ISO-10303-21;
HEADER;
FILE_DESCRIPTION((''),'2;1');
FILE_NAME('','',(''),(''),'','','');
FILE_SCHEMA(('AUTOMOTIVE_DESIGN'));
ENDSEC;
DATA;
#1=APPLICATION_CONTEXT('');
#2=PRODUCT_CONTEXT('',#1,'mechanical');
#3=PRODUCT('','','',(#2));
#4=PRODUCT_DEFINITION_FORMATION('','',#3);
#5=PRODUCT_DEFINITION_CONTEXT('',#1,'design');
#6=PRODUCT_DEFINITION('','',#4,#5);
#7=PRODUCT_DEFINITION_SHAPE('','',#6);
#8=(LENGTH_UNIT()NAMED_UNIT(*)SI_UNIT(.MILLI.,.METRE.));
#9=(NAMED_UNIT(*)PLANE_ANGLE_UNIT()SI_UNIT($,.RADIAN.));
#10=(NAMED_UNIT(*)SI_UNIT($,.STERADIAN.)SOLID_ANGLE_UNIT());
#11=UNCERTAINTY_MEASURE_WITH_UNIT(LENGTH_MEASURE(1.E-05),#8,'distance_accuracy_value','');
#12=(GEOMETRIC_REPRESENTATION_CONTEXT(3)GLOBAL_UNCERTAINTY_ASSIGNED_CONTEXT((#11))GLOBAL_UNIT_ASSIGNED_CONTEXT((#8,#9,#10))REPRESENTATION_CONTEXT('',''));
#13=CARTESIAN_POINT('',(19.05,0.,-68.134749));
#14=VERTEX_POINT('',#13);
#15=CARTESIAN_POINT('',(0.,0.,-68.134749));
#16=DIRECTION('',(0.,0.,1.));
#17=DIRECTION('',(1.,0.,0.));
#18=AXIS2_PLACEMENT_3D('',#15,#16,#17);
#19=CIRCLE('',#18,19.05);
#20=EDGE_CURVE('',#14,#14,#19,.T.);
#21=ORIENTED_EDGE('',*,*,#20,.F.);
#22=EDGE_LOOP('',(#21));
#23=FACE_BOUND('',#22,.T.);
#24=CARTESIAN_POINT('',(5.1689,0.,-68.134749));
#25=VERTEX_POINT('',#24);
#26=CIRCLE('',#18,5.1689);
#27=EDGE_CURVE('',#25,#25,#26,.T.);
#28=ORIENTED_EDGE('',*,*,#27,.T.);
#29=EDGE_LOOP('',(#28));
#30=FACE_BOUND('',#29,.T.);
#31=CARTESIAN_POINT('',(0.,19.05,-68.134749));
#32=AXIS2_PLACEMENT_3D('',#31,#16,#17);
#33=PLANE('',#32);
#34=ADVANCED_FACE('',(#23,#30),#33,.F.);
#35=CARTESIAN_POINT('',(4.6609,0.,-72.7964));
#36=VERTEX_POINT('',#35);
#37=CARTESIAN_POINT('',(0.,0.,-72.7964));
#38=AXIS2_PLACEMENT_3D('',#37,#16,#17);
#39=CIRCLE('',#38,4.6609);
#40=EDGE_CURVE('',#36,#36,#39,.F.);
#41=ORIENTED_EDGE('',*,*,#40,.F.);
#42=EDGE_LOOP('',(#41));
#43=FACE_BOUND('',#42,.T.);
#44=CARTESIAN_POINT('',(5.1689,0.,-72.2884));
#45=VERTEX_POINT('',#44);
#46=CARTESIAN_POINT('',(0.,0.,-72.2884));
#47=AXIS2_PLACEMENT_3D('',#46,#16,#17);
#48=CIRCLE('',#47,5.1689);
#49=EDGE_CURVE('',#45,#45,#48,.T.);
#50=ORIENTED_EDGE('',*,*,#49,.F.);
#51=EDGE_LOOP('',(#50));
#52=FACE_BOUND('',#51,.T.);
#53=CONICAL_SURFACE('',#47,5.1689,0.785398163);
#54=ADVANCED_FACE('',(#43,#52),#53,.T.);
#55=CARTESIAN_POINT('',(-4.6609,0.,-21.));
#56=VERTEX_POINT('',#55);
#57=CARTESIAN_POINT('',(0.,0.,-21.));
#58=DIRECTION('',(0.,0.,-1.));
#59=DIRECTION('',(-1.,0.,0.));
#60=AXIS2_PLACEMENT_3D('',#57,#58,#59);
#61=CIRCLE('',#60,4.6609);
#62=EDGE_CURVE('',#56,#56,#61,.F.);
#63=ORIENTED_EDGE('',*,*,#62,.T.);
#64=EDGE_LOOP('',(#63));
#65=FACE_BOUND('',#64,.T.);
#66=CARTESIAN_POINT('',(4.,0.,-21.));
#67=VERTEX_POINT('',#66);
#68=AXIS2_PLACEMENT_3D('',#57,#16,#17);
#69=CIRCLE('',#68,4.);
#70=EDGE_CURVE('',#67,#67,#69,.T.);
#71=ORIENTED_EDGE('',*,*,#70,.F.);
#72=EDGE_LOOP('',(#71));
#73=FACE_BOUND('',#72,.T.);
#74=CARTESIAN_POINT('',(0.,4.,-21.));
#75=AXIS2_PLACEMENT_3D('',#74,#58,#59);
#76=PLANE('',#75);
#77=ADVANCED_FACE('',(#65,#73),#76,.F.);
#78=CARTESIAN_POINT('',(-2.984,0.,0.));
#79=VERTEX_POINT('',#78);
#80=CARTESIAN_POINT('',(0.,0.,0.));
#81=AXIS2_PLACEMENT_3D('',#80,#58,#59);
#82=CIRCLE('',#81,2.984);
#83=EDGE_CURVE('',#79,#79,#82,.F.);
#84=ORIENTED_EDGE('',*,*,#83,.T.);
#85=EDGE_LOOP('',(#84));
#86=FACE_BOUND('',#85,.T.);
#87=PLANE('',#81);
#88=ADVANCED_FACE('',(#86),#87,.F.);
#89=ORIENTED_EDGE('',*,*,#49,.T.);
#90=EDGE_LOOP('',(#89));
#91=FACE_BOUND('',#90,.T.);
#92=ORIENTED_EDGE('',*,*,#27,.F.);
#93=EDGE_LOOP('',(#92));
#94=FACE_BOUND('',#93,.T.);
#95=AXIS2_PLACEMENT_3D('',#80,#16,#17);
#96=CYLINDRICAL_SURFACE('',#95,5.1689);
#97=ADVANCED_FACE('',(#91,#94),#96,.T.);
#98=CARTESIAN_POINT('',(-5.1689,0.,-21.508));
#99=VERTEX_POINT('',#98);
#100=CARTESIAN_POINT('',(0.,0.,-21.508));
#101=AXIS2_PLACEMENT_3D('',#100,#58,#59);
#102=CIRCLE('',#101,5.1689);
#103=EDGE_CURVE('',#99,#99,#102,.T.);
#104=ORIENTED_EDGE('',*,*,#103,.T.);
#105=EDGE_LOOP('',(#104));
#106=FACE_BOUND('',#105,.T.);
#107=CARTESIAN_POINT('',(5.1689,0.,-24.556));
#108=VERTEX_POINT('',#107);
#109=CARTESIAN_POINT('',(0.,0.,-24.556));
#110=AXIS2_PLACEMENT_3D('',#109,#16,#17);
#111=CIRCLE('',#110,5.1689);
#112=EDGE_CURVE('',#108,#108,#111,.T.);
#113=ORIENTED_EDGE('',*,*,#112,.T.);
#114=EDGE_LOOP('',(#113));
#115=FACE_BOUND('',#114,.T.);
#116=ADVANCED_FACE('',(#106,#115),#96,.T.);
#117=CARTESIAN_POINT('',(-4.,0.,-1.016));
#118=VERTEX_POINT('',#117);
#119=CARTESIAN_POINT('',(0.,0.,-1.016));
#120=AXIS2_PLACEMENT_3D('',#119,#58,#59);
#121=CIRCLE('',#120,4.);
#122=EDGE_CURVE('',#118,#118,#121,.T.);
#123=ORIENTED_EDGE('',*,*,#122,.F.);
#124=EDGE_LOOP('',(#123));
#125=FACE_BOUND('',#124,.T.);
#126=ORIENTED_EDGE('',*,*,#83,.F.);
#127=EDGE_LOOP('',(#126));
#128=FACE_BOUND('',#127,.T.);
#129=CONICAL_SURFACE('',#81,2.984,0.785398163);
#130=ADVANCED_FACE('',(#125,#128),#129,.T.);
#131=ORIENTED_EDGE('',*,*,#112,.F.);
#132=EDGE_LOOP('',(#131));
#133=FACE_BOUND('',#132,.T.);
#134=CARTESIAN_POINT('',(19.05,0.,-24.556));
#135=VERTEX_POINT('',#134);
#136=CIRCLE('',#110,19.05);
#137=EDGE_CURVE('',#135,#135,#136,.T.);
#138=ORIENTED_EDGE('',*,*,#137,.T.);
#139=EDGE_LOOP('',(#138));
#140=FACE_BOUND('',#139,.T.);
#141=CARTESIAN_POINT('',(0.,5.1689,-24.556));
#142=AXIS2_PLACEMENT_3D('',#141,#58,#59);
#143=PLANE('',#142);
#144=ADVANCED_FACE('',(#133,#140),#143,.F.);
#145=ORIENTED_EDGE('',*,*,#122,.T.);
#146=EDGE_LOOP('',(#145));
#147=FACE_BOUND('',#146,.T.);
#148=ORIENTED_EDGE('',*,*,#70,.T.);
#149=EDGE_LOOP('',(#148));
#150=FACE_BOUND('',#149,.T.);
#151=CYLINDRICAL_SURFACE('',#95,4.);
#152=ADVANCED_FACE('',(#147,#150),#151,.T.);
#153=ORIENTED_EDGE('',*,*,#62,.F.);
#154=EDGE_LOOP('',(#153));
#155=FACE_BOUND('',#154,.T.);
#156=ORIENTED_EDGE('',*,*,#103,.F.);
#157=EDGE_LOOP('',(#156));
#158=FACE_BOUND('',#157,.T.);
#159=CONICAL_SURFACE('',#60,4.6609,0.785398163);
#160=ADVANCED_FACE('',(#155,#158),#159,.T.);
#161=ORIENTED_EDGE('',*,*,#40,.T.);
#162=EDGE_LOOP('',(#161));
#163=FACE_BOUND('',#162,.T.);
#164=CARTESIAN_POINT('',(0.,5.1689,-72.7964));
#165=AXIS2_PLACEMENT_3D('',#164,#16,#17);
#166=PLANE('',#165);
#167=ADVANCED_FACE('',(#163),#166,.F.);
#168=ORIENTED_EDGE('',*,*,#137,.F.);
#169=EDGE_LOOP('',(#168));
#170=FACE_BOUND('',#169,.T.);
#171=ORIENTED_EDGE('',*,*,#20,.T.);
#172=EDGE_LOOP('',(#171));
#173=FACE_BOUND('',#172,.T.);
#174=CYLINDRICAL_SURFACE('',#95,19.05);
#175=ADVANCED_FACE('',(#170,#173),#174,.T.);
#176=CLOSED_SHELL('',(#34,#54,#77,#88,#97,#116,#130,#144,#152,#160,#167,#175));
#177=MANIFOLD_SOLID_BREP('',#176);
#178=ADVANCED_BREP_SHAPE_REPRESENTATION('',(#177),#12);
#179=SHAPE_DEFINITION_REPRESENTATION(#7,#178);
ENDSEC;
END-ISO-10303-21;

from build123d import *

# Parameters (mm, degrees)
CHAMFER1_SIZE = 1.016
CHAMFER2_SIZE = 0.508


with BuildPart() as part:
    # Sketch1 → Revolve1 (revolve)
    with BuildSketch(Plane(origin=(0, 0, 0), x_dir=(0, 0, -1), z_dir=(1, 0, 0)), mode=Mode.PRIVATE) as revolve1_sk:
        Polygon((0, 0), (0, 4), (21, 4), (21, 5.1689), (24.556, 5.1689), (24.556, 19.05), (68.134749365, 19.05), (68.134749365, 5.1689), (72.7964, 5.1689), (72.7964, 0), align=None)
    revolve(revolve1_sk.sketch.rotate(Axis((0, 0, 0), (0, 0, -1)), 90), axis=Axis((0, 0, 0), (0, 0, -1)))

    # Chamfer1
    chamfer1_edges = [part.edges().sort_by_distance(p)[0] for p in [
        (-4, 0, 0),
    ]]
    chamfer(chamfer1_edges, length=CHAMFER1_SIZE)

    # Chamfer2
    chamfer2_edges = [part.edges().sort_by_distance(p)[0] for p in [
        (-5.1689, 0, -72.7964),
        (-5.1689, 0, -21),
    ]]
    chamfer(chamfer2_edges, length=CHAMFER2_SIZE)


solid = part.part
